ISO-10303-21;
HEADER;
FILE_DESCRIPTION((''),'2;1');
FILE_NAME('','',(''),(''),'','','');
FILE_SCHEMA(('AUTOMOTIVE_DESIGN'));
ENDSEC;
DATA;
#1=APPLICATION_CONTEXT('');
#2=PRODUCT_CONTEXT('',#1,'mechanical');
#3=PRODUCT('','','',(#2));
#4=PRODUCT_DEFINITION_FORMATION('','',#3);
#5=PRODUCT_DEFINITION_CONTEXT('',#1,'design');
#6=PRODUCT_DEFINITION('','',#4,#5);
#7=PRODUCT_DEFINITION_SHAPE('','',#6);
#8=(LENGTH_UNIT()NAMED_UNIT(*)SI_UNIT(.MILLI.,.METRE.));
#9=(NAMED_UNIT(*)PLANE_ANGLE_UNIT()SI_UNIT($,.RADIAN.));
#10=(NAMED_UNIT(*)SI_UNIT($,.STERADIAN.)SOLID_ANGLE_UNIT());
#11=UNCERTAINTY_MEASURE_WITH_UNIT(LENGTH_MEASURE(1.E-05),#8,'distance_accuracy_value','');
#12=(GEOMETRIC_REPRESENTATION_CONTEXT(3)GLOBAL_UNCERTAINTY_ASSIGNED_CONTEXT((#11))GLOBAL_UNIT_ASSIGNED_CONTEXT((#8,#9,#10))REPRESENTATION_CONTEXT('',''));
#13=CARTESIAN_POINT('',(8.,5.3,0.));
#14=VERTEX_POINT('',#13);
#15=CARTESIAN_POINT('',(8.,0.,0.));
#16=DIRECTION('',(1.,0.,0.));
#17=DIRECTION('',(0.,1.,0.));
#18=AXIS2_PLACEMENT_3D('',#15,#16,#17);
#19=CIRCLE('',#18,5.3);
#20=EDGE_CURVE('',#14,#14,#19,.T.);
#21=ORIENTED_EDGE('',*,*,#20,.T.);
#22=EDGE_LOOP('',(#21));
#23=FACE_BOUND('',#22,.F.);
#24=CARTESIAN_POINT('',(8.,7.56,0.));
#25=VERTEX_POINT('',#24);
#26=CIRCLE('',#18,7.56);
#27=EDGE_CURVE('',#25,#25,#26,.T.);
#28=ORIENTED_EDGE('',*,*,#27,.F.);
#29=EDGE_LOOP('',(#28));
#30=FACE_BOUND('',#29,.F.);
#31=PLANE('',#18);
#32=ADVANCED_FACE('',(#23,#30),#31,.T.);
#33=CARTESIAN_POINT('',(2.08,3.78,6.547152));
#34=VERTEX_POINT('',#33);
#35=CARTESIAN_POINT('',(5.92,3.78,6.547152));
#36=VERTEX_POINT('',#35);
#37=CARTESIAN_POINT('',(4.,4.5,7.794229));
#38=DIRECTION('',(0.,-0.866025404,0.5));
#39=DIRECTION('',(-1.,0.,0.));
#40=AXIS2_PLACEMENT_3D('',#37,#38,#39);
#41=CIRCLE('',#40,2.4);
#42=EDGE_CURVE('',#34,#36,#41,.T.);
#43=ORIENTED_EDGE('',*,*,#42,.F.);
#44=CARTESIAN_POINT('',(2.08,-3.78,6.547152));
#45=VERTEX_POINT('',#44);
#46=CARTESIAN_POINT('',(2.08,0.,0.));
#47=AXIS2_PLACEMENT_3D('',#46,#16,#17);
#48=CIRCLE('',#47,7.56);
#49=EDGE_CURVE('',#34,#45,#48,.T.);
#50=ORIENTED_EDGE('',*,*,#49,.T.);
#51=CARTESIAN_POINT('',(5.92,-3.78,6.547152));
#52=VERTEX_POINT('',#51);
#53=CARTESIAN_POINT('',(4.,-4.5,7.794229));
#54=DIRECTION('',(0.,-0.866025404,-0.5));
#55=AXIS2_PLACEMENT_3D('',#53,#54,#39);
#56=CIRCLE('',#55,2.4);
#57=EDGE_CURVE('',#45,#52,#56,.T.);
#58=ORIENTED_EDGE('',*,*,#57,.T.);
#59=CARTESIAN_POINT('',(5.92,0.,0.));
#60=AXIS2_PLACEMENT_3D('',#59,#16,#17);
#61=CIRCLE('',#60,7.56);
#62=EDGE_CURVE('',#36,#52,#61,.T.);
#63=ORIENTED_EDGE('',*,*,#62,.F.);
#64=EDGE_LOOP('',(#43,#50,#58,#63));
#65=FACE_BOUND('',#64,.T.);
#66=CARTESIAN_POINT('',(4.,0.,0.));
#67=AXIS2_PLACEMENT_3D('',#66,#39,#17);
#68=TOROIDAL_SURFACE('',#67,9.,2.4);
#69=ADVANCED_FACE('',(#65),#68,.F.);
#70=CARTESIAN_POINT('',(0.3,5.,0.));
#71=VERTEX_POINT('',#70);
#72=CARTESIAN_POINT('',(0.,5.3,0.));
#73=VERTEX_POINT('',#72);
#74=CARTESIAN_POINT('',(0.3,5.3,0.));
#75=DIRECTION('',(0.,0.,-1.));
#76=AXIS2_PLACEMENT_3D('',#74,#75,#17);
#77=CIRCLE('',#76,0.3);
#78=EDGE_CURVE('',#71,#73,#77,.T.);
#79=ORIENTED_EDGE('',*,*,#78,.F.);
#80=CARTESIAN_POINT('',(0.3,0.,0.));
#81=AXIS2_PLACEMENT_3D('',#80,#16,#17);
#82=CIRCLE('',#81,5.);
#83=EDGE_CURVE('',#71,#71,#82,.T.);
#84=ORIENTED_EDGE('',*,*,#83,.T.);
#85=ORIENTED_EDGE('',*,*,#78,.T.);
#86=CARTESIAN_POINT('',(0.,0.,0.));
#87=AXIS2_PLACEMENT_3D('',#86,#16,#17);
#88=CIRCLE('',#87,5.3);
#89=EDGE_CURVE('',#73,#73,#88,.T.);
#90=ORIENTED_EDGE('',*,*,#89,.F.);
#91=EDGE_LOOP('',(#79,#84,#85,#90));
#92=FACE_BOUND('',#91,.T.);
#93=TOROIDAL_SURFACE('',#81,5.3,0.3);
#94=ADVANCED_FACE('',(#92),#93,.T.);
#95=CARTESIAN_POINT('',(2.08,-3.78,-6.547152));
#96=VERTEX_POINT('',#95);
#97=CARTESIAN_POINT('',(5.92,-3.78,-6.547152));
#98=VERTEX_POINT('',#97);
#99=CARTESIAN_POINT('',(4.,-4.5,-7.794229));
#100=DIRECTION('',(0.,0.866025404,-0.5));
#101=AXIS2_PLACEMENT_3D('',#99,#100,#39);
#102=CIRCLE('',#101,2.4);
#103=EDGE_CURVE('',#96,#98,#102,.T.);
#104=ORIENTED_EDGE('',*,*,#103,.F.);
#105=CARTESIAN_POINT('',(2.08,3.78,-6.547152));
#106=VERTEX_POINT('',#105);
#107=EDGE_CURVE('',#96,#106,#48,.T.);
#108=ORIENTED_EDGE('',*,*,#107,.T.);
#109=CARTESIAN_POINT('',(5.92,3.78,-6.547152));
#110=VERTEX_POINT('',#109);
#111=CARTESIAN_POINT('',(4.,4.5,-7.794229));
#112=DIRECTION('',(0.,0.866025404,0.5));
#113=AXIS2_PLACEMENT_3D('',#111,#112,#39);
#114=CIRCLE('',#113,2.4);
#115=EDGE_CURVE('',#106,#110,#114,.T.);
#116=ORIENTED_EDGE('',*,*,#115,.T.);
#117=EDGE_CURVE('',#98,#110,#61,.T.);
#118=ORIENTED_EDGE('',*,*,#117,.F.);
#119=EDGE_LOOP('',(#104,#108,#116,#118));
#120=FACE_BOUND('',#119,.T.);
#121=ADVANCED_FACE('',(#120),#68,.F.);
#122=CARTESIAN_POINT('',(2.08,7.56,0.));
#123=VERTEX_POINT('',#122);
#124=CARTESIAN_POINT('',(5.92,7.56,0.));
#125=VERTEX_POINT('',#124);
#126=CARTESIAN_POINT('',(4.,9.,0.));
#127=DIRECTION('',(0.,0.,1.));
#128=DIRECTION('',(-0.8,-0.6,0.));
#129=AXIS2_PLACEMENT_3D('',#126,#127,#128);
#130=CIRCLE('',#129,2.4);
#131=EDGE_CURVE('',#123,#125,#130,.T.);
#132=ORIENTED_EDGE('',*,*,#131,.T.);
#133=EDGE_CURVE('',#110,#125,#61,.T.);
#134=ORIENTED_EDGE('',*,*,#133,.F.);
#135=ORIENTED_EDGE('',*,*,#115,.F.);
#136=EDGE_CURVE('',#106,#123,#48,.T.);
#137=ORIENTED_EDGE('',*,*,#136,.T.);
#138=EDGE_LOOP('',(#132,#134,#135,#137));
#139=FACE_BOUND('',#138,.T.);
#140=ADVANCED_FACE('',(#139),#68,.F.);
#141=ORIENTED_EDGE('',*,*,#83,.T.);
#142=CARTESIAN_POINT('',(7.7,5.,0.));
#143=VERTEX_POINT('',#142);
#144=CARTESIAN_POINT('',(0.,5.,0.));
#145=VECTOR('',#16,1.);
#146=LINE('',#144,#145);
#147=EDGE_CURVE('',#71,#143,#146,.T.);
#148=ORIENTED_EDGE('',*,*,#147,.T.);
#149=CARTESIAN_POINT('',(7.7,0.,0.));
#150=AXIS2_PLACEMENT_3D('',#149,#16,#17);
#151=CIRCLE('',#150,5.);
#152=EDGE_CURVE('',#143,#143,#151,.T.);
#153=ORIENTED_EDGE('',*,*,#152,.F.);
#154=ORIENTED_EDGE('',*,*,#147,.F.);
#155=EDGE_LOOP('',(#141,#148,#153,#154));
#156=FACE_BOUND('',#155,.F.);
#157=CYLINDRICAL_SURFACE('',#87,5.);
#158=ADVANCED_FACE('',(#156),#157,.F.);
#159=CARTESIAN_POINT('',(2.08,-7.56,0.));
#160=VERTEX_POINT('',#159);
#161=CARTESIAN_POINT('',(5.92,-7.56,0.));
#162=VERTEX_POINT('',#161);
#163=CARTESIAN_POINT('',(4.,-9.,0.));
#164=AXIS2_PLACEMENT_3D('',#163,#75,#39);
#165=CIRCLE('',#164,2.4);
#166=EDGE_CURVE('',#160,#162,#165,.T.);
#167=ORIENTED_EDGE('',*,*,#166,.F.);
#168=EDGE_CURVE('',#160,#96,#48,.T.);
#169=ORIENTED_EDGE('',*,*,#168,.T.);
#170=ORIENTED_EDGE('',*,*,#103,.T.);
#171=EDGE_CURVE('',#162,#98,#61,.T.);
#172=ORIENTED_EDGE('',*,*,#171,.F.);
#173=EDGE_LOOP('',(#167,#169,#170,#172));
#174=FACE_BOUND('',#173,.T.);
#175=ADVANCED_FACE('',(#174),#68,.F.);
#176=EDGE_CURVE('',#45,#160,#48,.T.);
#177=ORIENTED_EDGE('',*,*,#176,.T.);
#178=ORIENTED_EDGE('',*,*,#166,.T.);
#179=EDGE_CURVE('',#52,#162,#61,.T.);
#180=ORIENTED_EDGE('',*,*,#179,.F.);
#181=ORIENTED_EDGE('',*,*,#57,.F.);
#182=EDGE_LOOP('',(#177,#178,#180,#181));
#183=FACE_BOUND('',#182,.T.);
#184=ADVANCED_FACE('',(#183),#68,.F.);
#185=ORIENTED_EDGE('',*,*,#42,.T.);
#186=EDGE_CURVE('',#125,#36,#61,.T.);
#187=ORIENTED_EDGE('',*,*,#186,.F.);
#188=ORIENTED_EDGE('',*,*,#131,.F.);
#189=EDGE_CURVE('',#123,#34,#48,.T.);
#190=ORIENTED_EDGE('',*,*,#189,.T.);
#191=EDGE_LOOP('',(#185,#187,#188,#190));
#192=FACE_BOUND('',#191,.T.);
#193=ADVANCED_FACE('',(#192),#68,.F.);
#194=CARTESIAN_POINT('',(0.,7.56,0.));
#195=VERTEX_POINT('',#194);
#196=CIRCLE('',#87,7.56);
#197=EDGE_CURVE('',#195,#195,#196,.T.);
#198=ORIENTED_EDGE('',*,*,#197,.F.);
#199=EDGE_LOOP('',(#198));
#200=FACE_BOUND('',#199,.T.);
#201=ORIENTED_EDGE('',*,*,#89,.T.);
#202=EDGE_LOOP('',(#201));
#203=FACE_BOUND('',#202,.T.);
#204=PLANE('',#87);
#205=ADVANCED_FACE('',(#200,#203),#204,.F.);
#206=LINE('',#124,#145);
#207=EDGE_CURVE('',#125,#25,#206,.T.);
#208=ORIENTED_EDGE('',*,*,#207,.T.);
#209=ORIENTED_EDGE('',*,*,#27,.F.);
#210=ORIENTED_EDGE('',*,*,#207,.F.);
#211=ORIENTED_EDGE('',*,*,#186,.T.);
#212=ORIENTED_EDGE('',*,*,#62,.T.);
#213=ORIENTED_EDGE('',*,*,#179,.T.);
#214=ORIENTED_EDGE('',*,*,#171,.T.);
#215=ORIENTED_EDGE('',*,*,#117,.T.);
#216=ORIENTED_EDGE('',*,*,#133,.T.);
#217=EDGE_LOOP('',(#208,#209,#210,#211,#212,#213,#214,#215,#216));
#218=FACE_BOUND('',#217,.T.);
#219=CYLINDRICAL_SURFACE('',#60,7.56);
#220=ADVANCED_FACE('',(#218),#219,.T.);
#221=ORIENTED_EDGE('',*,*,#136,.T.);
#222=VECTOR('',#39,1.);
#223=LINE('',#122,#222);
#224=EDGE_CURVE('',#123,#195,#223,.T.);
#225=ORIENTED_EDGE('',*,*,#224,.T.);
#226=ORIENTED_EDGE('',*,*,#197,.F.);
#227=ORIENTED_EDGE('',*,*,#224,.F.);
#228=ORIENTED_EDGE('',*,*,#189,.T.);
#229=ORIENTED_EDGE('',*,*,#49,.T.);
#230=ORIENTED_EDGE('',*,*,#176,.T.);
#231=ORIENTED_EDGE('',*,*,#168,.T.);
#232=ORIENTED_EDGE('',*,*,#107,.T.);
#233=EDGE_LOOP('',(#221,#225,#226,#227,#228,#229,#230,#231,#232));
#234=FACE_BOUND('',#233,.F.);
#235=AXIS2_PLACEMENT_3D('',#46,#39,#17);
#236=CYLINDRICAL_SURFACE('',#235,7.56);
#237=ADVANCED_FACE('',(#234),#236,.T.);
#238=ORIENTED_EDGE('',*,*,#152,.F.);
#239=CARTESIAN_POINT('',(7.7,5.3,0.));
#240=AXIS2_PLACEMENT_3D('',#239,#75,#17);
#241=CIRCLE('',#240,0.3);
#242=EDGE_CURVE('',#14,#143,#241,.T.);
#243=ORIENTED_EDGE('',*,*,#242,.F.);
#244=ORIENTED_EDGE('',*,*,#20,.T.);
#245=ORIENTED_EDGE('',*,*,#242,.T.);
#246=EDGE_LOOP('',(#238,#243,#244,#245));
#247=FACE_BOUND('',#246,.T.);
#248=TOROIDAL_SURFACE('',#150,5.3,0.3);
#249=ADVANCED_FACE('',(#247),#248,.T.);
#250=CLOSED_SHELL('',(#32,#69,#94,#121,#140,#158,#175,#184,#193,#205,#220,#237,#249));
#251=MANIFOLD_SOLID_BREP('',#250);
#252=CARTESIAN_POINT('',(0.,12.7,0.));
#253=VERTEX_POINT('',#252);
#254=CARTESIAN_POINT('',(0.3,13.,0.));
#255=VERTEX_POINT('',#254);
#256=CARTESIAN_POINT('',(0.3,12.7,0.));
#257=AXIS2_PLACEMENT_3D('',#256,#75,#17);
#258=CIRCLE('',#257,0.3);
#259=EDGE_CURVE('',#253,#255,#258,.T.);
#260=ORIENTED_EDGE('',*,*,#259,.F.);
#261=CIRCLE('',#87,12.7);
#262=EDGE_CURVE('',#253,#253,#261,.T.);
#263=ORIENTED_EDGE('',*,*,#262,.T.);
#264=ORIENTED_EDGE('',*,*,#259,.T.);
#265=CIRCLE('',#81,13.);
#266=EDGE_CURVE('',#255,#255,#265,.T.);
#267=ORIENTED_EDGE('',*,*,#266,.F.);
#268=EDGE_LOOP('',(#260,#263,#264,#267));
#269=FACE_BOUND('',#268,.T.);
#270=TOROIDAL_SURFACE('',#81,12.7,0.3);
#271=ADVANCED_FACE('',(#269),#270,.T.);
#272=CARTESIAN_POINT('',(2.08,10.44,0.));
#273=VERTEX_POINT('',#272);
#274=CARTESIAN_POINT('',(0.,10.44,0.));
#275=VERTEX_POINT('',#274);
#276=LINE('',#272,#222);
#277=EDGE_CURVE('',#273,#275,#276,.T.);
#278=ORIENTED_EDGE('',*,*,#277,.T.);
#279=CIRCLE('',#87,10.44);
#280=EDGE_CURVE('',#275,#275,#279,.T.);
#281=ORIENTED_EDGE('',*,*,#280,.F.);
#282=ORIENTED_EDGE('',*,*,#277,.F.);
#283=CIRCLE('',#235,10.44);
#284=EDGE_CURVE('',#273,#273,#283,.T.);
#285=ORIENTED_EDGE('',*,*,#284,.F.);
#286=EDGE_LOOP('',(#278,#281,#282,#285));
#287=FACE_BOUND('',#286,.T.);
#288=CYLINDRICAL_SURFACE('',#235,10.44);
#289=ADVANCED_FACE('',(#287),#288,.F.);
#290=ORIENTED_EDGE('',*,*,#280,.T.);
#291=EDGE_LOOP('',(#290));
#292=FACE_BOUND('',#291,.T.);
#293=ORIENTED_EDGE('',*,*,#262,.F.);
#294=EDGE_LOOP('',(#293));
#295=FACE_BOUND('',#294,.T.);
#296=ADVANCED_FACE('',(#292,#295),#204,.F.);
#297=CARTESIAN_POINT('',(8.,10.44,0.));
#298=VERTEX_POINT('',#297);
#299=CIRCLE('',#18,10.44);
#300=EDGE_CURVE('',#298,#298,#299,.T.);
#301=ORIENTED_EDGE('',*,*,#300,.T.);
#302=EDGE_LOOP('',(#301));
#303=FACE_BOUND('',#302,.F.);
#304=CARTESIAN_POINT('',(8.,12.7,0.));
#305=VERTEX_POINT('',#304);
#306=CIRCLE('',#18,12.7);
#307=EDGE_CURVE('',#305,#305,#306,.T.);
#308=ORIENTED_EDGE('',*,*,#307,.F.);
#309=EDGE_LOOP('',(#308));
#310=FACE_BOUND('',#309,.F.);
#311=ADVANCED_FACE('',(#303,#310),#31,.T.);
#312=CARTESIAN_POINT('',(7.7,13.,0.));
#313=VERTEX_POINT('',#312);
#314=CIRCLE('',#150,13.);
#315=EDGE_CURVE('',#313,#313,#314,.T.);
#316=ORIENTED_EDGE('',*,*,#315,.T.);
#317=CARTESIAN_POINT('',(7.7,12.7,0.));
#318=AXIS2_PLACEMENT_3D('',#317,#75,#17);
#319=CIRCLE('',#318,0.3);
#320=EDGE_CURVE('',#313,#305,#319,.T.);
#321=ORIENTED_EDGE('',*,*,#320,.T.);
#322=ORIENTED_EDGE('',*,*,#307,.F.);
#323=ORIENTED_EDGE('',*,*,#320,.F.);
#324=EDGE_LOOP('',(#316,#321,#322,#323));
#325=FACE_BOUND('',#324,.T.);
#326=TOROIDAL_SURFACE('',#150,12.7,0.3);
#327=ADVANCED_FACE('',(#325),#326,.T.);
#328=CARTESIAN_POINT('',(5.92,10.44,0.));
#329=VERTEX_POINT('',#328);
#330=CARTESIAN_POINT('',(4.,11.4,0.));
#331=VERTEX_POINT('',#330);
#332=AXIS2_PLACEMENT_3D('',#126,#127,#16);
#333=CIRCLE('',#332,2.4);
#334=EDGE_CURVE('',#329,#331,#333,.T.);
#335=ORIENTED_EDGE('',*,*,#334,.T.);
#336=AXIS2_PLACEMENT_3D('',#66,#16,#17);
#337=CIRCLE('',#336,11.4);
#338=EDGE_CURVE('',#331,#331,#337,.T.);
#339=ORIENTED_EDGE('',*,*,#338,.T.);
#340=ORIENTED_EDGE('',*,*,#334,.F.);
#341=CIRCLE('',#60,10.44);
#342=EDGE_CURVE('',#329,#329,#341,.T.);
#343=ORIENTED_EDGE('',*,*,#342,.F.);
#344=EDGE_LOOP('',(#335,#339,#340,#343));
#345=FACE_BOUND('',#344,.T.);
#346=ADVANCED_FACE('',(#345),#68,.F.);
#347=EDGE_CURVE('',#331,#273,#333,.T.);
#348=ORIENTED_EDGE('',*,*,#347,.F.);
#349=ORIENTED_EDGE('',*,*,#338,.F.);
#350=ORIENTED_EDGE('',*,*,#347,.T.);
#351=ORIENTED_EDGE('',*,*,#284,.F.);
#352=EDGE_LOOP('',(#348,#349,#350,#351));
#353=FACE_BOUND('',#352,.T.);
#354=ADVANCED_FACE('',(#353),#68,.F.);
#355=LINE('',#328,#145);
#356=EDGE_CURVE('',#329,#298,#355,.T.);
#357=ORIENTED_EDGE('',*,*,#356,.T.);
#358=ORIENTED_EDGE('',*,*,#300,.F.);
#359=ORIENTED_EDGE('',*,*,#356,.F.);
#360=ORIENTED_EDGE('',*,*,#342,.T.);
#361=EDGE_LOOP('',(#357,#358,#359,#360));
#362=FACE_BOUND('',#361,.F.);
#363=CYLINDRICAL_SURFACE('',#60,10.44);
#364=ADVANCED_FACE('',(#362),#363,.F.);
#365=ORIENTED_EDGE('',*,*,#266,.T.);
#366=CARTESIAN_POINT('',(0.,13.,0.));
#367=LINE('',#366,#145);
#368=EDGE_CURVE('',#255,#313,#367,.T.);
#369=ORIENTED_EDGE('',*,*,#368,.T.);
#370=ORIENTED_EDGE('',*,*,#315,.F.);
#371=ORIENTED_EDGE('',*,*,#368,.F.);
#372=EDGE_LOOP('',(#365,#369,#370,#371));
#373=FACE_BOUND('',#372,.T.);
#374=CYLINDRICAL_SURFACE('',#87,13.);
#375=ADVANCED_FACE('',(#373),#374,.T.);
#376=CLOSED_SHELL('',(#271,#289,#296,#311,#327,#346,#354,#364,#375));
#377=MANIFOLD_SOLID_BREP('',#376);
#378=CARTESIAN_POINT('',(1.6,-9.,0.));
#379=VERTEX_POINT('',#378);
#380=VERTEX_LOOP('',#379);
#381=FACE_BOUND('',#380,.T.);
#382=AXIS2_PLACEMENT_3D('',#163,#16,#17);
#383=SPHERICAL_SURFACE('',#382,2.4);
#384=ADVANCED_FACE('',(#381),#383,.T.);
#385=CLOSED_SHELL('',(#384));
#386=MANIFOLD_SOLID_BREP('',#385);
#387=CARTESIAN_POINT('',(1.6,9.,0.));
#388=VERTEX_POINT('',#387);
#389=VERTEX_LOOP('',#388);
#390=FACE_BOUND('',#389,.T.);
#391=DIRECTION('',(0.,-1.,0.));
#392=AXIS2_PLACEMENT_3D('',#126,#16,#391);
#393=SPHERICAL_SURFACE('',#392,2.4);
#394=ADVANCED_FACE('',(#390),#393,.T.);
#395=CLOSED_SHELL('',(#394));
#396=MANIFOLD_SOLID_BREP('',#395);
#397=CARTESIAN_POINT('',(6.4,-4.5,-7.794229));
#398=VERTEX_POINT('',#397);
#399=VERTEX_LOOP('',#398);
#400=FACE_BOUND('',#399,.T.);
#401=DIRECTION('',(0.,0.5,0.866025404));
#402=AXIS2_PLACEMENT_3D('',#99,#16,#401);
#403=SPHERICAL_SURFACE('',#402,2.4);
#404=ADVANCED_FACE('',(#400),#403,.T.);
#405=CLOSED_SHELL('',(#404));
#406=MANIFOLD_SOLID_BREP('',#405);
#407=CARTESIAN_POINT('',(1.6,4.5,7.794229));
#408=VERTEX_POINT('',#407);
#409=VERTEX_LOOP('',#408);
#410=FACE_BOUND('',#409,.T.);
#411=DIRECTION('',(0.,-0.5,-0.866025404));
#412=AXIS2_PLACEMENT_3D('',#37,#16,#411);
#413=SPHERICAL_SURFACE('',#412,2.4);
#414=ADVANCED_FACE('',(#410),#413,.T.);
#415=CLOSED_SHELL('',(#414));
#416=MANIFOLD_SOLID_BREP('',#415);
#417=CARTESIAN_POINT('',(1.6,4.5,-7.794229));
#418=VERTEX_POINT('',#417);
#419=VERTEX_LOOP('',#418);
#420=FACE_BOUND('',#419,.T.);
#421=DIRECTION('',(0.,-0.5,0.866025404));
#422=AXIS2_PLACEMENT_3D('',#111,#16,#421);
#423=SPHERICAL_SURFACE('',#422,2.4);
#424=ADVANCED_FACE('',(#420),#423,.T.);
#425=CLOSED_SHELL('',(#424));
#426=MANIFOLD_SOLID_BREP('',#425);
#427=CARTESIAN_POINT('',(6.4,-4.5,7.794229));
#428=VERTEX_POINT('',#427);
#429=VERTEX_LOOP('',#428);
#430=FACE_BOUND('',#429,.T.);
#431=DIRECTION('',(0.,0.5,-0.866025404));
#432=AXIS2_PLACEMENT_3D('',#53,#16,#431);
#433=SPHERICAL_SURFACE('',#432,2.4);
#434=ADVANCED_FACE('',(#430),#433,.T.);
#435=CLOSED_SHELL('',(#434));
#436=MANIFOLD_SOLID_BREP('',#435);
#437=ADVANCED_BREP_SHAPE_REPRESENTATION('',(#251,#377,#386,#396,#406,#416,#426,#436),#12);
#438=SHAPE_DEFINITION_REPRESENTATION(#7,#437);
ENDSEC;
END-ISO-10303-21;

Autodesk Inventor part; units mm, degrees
ref_plane "YZ Plane" through (0, 0, 0) normal (1, 0, 0) x (0, 1, 0)
ref_plane "XZ Plane" through (0, 0, 0) normal (0, 1, 0) x (-1, 0, 0)
ref_plane "XY Plane" through (0, 0, 0) normal (0, 0, 1) x (1, 0, 0)
sketch "Skizze" plane through (0, 0, 0) normal (0, 0, 1) x (1, 0, 0)
  circle A0 centre (4, 9) radius 2.4
  line L0 (1.6, 9) -> (6.4, 9)
  line L1 (4, 9) -> (4, 6.6)
  line L2 (2.08, 7.56) -> (0, 7.56)
  line L3 (0, 5) -> (8, 5)
  line L4 (2.08, 10.44) -> (0, 10.44)
  line L5 (0, 13) -> (8, 13)
  line L6 (5.92, 7.56) -> (8, 7.56)
  line L7 (5.92, 10.44) -> (8, 10.44)
  line L8 (8, 10.44) -> (8, 13)
  line L9 (8, 5) -> (8, 7.56)
  line L10 (4, 9) -> (4, 11.4)
  line L11 (-3, 0) -> (18, 0) projected
  line L12 (0, -2.2) -> (0, 16.7) projected
  dimension "d3" = 4.8
  dimension "d8" = 10
  dimension "d10" = 15.12
  dimension "d12" = 20.88
  dimension "d13" = 26
  dimension "d14" = 18
  dimension "d15" = 8
revolve "Körper" add sketch "Skizze" angle 360 about axis through (-10, 0, 0) along (1, 0, 0) contours A0 L4 L12 L5 L8 L7 | L6 L9 L3 L12 L2 A0
fillet "Rundung1" radius 0.3 4 edges at (8, -5, 0) (0, -5, 0) (0, -13, 0) (8, -13, 0)
revolve "Kugel" add sketch "Skizze" angle 360 about axis through (1.6, 9, 0) along (1, 0, 0) contours A0 L1 L0 | L1 A0 L0
pattern_circular "Kugeln" count 6 over 360 about axis through (-10, 0, 0) along (1, 0, 0) of "Kugel"
equation "\"d3\" = DDB"
equation "\"d8\" = WD"
equation "\"d10\" = KID1"
equation "\"d12\" = KAD1"
equation "\"d13\" = BD"
equation "\"d14\" = DDA"
equation "\"d15\" = KB"
equation "\"d0\" = KRS"
equation "\"WD\" = 10"
equation "\"BD\" = 26"
equation "\"KB\" = 8"
equation "\"KRS\" = 0.3"
equation "\"KID1\" = DDA - 0.6 * DDB"
equation "\"KAD1\" = DDA + 0.6 * DDB"
equation "\"DDA\" = 0.5 * WD + 0.5 * BD"
equation "\"DDB\" = -0.3 * WD + 0.3 * BD"
equation "\"WR\" = 0.5 * WD"
equation "\"BR\" = 0.5 * BD"
equation "\"BBA\" = 0"
properties part number "DIN 625 T1 - 6000 - 10 x 26 x 8" material "Stahl, weich"
